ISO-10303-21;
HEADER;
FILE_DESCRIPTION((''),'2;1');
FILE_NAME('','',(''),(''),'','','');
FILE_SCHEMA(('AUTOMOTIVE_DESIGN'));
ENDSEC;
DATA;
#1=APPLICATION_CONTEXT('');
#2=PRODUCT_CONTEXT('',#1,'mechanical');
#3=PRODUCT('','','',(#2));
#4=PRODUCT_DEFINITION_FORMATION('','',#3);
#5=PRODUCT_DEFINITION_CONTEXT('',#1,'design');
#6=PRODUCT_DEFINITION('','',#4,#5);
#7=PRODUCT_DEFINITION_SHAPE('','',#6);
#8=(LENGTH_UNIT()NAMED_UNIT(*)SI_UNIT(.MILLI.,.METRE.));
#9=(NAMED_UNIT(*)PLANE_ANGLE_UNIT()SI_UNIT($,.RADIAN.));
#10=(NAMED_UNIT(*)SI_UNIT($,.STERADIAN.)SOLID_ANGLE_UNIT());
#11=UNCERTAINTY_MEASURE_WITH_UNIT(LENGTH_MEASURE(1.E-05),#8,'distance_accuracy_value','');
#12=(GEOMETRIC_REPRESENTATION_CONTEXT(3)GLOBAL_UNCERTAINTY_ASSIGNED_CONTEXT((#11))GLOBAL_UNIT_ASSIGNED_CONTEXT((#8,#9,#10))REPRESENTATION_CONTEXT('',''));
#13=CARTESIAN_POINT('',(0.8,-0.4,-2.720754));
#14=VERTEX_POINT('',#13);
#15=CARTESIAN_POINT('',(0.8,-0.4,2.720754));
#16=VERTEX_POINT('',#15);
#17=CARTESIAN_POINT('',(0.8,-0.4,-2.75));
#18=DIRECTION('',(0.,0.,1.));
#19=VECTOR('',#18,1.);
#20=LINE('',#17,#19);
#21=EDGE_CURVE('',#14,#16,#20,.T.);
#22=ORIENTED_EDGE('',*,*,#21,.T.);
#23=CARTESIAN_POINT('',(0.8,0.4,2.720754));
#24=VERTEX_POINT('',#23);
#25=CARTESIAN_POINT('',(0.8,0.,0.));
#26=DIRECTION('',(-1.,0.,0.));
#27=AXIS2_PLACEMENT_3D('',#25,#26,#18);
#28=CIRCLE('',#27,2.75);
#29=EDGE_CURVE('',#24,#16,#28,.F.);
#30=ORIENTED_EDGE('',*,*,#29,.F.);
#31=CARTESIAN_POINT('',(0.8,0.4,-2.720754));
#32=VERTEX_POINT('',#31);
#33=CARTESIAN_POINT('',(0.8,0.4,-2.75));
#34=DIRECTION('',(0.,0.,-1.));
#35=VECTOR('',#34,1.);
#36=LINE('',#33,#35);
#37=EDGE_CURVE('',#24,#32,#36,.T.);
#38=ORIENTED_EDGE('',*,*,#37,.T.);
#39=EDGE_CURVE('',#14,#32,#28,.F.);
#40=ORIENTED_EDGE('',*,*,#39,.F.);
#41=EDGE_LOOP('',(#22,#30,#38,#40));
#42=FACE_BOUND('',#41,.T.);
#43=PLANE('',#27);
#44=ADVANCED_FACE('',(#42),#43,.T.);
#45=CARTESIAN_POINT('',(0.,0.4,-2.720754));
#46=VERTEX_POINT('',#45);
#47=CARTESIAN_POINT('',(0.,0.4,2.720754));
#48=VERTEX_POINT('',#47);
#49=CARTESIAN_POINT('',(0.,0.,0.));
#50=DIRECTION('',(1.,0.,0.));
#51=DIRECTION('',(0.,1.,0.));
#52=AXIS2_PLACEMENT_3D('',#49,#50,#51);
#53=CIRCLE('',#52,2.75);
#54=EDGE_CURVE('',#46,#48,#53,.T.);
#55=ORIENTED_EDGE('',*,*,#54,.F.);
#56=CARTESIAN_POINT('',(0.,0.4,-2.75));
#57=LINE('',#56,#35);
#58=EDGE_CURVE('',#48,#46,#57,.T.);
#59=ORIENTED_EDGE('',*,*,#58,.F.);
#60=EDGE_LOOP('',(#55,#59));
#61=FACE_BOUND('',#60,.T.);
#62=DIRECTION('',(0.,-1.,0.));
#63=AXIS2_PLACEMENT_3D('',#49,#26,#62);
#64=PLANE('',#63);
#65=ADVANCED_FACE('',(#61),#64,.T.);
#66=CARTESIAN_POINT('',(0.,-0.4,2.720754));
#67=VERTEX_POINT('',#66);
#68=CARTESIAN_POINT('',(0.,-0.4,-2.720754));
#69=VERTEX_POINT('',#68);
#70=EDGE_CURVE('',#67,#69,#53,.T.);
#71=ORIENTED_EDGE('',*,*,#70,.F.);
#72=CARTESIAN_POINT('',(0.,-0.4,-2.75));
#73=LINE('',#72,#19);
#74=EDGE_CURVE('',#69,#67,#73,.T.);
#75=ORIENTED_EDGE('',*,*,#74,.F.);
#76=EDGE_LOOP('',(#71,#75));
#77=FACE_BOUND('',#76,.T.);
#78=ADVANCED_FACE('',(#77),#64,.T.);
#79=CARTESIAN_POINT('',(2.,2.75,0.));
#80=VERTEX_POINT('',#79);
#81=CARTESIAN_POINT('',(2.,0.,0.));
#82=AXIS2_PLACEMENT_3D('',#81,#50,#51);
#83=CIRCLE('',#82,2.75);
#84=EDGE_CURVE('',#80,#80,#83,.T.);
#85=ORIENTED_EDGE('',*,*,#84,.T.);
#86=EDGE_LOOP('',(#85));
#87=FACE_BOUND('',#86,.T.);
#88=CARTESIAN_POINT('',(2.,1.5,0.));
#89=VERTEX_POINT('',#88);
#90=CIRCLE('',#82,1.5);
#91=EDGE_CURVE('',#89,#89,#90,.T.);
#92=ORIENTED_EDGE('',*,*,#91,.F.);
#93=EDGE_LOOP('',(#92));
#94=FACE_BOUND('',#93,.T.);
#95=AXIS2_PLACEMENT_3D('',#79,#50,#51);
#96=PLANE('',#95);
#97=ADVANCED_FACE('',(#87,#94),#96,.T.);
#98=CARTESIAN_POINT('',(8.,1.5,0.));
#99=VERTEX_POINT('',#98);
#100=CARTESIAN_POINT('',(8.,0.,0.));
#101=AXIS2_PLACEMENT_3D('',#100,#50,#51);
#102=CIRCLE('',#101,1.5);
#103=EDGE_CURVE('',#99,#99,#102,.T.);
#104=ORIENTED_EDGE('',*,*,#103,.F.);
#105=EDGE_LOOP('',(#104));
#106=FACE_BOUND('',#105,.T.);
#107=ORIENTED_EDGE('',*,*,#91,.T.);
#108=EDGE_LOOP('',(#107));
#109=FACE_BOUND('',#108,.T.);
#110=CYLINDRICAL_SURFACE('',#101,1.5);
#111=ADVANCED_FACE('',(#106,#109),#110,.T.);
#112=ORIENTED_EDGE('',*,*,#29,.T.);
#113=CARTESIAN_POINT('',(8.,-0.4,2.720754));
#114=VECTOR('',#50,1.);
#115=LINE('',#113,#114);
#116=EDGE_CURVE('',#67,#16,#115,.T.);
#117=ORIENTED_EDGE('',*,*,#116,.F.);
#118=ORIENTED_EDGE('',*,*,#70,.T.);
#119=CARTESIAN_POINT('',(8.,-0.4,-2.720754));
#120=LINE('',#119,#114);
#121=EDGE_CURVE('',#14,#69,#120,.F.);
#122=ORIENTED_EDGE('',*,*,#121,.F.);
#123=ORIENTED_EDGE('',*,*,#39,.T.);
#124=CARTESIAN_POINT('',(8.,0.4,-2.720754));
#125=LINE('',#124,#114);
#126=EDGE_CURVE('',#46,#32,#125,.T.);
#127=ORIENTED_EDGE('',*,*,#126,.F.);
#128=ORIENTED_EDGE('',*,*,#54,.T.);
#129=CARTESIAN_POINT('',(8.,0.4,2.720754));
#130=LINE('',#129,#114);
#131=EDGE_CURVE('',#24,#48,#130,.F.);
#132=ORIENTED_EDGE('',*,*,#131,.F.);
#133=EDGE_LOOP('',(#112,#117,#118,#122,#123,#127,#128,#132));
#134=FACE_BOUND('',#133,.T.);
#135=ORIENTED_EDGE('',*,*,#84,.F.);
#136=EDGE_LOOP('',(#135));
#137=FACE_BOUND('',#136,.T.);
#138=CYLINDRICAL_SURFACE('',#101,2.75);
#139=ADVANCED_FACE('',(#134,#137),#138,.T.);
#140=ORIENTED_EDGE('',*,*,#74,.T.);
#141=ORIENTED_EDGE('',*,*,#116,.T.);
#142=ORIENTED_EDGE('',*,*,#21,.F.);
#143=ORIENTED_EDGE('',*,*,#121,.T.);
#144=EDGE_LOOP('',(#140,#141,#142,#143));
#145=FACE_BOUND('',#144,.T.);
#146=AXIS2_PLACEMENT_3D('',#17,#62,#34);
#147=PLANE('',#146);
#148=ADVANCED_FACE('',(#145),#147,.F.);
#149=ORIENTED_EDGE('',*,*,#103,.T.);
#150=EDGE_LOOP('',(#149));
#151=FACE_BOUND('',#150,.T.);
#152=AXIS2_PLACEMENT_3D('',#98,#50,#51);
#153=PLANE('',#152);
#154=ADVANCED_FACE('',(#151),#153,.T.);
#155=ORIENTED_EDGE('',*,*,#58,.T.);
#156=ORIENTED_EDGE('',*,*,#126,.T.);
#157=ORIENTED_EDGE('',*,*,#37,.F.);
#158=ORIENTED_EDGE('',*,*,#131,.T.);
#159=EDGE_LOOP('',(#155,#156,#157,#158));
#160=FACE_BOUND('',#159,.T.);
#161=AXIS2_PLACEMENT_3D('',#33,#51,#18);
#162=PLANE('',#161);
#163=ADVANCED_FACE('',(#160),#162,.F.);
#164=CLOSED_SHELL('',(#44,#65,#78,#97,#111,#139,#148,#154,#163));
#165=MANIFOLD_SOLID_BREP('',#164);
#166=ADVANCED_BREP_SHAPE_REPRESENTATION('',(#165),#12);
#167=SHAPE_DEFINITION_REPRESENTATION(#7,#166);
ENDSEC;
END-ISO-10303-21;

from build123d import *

# Parameters (mm, degrees)
SKETCH2_W          = 5.5
SKETCH2_H          = 0.8
CUT_EXTRUDE1_DEPTH = 0.8


with BuildPart() as part:
    # Sketch1 → Revolve1 (revolve)
    with BuildSketch(Plane.XY):
        Polygon((0, 0), (0, 2.75), (2, 2.75), (2, 1.5), (8, 1.5), (8, 0), align=None)
    revolve(axis=Axis((8, 0, 0), (-1, 0, 0)))

    # Sketch2 → Cut-Extrude1 (cut)
    with BuildSketch(Plane.ZY):
        Rectangle(SKETCH2_W, SKETCH2_H)
    extrude(amount=-CUT_EXTRUDE1_DEPTH, mode=Mode.SUBTRACT)


solid = part.part
